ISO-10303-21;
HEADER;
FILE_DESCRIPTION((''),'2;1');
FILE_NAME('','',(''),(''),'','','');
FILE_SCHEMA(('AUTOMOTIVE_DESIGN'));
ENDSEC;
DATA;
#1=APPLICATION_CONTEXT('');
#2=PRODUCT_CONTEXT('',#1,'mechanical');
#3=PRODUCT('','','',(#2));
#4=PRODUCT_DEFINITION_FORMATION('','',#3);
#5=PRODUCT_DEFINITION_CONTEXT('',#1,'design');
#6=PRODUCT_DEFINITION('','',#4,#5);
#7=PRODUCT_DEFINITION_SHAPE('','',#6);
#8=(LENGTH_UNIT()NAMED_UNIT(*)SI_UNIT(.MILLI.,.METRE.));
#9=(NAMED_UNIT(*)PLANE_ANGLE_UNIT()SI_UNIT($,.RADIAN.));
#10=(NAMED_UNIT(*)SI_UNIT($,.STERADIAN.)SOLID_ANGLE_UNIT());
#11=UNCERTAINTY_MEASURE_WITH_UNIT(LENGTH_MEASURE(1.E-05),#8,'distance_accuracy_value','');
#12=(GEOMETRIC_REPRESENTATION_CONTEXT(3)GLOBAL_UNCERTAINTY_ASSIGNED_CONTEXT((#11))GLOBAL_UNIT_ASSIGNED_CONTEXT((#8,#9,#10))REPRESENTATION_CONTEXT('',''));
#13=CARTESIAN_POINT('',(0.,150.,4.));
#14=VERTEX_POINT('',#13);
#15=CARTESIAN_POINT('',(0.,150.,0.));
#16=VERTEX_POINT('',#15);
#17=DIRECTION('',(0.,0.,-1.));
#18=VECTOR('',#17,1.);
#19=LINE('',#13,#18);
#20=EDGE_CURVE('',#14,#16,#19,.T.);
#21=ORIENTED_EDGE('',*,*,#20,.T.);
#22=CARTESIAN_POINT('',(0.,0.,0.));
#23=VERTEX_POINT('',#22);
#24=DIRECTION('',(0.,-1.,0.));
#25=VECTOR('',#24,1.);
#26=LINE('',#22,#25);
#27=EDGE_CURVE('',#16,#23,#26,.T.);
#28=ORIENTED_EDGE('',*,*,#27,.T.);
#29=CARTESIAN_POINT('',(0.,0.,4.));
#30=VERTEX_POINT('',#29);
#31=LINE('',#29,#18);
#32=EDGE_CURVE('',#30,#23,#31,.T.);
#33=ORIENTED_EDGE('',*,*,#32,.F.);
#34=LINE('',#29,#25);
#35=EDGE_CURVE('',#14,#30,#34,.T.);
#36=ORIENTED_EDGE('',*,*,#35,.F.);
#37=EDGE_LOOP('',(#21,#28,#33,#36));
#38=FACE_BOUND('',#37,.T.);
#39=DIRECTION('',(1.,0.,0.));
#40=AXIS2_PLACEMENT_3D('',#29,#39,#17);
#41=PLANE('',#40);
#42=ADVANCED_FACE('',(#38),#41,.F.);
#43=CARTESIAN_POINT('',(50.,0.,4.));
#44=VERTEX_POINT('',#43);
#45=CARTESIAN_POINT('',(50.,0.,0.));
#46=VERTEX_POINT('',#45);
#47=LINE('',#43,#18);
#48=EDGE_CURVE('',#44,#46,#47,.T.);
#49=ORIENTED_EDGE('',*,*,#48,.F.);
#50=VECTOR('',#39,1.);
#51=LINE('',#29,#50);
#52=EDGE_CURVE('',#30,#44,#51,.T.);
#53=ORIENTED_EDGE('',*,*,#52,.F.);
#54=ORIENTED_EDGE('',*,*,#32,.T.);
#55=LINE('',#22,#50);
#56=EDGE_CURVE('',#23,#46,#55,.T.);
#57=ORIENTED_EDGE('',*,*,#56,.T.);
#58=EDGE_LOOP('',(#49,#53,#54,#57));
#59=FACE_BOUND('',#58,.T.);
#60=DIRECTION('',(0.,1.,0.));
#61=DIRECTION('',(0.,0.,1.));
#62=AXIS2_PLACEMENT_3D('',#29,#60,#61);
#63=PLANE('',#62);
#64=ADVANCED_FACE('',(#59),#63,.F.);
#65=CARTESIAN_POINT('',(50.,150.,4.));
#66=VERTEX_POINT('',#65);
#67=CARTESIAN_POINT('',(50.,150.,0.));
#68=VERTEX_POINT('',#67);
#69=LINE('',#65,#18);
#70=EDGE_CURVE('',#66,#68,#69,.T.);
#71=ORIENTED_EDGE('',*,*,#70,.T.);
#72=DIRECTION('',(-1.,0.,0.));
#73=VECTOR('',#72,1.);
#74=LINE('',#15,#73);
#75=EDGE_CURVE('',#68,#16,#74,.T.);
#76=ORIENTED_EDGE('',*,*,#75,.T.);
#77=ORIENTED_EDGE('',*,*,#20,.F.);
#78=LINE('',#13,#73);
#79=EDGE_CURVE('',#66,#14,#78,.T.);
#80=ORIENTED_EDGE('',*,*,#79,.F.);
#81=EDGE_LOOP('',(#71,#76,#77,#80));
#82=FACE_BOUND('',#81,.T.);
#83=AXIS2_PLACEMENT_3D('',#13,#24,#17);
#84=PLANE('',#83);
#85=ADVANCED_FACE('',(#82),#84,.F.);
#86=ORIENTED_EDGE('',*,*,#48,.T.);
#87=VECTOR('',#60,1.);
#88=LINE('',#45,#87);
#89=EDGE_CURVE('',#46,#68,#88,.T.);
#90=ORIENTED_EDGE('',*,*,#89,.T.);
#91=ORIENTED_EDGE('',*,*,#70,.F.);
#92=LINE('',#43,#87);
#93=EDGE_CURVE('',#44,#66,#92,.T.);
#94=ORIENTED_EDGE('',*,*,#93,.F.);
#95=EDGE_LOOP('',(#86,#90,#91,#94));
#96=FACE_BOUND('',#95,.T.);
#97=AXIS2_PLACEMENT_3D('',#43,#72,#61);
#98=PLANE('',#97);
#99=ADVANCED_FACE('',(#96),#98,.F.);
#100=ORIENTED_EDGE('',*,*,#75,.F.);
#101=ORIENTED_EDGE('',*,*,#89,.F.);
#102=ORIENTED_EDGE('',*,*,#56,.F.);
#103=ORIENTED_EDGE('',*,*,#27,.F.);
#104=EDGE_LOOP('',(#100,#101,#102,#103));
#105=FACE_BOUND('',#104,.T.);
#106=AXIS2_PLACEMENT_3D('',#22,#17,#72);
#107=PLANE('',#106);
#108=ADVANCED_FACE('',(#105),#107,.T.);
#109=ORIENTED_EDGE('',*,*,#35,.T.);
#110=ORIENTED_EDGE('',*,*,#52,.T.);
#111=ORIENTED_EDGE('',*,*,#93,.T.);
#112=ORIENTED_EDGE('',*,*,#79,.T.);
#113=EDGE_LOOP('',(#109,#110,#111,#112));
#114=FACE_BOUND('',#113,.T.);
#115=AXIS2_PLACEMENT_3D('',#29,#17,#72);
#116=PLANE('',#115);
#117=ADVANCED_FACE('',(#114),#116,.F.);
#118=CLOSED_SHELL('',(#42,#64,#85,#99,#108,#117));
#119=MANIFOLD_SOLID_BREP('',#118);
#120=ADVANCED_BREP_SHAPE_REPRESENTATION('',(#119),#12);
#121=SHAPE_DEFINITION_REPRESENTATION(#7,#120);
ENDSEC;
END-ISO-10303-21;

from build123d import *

# Parameters (mm, degrees)
SKETCH1_W           = 50
SKETCH1_H           = 150
BOSS_EXTRUDE1_DEPTH = 4


with BuildPart() as part:
    # Sketch1 → Boss-Extrude1 (new body)
    with BuildSketch(Plane.XY):
        with Locations((25, 75)):
            Rectangle(SKETCH1_W, SKETCH1_H)
    extrude(amount=BOSS_EXTRUDE1_DEPTH)


solid = part.part
